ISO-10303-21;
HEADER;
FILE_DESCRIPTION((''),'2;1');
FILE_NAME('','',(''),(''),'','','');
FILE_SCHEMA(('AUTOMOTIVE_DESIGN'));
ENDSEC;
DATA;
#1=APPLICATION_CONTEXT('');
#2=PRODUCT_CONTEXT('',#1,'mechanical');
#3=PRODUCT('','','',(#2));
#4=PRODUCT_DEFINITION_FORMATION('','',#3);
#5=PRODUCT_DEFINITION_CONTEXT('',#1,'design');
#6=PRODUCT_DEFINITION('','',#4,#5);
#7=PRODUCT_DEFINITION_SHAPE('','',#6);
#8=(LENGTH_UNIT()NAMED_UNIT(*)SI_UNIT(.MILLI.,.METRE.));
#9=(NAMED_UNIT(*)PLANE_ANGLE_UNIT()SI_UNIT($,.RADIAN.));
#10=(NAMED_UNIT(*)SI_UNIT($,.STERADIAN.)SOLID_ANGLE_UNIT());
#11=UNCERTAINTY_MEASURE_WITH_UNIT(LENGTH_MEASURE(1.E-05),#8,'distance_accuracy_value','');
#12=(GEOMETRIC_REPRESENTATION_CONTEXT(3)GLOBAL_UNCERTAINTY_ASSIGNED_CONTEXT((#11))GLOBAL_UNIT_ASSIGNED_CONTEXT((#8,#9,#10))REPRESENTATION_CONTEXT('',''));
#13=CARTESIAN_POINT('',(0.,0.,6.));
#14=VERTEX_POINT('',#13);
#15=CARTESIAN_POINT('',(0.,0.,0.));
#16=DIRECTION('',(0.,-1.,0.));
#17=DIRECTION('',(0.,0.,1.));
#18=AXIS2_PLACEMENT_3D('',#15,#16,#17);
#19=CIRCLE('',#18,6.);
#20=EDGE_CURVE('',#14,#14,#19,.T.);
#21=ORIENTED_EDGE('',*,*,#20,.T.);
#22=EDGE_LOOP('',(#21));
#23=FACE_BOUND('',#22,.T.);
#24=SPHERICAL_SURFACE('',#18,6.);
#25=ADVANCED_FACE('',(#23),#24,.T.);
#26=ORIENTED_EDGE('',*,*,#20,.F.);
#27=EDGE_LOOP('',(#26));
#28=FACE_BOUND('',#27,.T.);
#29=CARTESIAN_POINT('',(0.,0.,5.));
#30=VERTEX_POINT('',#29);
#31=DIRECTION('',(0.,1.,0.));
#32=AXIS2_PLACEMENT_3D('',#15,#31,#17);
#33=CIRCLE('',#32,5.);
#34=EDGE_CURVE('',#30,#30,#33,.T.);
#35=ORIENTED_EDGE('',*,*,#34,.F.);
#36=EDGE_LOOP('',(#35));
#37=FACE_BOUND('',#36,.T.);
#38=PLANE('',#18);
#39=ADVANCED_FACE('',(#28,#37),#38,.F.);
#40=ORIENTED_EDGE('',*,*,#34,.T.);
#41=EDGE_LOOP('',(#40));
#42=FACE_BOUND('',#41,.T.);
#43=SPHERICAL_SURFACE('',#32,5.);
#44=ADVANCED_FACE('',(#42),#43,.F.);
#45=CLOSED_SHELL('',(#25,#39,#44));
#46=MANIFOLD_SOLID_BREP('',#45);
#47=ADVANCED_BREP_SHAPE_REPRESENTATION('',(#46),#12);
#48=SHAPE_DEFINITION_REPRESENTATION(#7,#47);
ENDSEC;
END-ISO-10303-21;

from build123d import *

# Parameters (mm, degrees)
REVOLVE1_ANGLE = 180


with BuildPart() as part:
    # Sketch1 → Revolve1 (revolve)
    with BuildSketch(Plane(origin=(0, 0, 0), x_dir=(1, 0, 0), z_dir=(0, 1, 0))):
        with BuildLine():
            Line((0, 6), (0, 5))
            ThreePointArc((0, 5), (-5, 0), (0, -5))
            Line((0, -5), (0, -6))
            ThreePointArc((0, -6), (-6, 0), (0, 6))
        make_face()
    revolve(axis=Axis((0, 0, -6), (0, 0, 1)), revolution_arc=REVOLVE1_ANGLE)


solid = part.part
